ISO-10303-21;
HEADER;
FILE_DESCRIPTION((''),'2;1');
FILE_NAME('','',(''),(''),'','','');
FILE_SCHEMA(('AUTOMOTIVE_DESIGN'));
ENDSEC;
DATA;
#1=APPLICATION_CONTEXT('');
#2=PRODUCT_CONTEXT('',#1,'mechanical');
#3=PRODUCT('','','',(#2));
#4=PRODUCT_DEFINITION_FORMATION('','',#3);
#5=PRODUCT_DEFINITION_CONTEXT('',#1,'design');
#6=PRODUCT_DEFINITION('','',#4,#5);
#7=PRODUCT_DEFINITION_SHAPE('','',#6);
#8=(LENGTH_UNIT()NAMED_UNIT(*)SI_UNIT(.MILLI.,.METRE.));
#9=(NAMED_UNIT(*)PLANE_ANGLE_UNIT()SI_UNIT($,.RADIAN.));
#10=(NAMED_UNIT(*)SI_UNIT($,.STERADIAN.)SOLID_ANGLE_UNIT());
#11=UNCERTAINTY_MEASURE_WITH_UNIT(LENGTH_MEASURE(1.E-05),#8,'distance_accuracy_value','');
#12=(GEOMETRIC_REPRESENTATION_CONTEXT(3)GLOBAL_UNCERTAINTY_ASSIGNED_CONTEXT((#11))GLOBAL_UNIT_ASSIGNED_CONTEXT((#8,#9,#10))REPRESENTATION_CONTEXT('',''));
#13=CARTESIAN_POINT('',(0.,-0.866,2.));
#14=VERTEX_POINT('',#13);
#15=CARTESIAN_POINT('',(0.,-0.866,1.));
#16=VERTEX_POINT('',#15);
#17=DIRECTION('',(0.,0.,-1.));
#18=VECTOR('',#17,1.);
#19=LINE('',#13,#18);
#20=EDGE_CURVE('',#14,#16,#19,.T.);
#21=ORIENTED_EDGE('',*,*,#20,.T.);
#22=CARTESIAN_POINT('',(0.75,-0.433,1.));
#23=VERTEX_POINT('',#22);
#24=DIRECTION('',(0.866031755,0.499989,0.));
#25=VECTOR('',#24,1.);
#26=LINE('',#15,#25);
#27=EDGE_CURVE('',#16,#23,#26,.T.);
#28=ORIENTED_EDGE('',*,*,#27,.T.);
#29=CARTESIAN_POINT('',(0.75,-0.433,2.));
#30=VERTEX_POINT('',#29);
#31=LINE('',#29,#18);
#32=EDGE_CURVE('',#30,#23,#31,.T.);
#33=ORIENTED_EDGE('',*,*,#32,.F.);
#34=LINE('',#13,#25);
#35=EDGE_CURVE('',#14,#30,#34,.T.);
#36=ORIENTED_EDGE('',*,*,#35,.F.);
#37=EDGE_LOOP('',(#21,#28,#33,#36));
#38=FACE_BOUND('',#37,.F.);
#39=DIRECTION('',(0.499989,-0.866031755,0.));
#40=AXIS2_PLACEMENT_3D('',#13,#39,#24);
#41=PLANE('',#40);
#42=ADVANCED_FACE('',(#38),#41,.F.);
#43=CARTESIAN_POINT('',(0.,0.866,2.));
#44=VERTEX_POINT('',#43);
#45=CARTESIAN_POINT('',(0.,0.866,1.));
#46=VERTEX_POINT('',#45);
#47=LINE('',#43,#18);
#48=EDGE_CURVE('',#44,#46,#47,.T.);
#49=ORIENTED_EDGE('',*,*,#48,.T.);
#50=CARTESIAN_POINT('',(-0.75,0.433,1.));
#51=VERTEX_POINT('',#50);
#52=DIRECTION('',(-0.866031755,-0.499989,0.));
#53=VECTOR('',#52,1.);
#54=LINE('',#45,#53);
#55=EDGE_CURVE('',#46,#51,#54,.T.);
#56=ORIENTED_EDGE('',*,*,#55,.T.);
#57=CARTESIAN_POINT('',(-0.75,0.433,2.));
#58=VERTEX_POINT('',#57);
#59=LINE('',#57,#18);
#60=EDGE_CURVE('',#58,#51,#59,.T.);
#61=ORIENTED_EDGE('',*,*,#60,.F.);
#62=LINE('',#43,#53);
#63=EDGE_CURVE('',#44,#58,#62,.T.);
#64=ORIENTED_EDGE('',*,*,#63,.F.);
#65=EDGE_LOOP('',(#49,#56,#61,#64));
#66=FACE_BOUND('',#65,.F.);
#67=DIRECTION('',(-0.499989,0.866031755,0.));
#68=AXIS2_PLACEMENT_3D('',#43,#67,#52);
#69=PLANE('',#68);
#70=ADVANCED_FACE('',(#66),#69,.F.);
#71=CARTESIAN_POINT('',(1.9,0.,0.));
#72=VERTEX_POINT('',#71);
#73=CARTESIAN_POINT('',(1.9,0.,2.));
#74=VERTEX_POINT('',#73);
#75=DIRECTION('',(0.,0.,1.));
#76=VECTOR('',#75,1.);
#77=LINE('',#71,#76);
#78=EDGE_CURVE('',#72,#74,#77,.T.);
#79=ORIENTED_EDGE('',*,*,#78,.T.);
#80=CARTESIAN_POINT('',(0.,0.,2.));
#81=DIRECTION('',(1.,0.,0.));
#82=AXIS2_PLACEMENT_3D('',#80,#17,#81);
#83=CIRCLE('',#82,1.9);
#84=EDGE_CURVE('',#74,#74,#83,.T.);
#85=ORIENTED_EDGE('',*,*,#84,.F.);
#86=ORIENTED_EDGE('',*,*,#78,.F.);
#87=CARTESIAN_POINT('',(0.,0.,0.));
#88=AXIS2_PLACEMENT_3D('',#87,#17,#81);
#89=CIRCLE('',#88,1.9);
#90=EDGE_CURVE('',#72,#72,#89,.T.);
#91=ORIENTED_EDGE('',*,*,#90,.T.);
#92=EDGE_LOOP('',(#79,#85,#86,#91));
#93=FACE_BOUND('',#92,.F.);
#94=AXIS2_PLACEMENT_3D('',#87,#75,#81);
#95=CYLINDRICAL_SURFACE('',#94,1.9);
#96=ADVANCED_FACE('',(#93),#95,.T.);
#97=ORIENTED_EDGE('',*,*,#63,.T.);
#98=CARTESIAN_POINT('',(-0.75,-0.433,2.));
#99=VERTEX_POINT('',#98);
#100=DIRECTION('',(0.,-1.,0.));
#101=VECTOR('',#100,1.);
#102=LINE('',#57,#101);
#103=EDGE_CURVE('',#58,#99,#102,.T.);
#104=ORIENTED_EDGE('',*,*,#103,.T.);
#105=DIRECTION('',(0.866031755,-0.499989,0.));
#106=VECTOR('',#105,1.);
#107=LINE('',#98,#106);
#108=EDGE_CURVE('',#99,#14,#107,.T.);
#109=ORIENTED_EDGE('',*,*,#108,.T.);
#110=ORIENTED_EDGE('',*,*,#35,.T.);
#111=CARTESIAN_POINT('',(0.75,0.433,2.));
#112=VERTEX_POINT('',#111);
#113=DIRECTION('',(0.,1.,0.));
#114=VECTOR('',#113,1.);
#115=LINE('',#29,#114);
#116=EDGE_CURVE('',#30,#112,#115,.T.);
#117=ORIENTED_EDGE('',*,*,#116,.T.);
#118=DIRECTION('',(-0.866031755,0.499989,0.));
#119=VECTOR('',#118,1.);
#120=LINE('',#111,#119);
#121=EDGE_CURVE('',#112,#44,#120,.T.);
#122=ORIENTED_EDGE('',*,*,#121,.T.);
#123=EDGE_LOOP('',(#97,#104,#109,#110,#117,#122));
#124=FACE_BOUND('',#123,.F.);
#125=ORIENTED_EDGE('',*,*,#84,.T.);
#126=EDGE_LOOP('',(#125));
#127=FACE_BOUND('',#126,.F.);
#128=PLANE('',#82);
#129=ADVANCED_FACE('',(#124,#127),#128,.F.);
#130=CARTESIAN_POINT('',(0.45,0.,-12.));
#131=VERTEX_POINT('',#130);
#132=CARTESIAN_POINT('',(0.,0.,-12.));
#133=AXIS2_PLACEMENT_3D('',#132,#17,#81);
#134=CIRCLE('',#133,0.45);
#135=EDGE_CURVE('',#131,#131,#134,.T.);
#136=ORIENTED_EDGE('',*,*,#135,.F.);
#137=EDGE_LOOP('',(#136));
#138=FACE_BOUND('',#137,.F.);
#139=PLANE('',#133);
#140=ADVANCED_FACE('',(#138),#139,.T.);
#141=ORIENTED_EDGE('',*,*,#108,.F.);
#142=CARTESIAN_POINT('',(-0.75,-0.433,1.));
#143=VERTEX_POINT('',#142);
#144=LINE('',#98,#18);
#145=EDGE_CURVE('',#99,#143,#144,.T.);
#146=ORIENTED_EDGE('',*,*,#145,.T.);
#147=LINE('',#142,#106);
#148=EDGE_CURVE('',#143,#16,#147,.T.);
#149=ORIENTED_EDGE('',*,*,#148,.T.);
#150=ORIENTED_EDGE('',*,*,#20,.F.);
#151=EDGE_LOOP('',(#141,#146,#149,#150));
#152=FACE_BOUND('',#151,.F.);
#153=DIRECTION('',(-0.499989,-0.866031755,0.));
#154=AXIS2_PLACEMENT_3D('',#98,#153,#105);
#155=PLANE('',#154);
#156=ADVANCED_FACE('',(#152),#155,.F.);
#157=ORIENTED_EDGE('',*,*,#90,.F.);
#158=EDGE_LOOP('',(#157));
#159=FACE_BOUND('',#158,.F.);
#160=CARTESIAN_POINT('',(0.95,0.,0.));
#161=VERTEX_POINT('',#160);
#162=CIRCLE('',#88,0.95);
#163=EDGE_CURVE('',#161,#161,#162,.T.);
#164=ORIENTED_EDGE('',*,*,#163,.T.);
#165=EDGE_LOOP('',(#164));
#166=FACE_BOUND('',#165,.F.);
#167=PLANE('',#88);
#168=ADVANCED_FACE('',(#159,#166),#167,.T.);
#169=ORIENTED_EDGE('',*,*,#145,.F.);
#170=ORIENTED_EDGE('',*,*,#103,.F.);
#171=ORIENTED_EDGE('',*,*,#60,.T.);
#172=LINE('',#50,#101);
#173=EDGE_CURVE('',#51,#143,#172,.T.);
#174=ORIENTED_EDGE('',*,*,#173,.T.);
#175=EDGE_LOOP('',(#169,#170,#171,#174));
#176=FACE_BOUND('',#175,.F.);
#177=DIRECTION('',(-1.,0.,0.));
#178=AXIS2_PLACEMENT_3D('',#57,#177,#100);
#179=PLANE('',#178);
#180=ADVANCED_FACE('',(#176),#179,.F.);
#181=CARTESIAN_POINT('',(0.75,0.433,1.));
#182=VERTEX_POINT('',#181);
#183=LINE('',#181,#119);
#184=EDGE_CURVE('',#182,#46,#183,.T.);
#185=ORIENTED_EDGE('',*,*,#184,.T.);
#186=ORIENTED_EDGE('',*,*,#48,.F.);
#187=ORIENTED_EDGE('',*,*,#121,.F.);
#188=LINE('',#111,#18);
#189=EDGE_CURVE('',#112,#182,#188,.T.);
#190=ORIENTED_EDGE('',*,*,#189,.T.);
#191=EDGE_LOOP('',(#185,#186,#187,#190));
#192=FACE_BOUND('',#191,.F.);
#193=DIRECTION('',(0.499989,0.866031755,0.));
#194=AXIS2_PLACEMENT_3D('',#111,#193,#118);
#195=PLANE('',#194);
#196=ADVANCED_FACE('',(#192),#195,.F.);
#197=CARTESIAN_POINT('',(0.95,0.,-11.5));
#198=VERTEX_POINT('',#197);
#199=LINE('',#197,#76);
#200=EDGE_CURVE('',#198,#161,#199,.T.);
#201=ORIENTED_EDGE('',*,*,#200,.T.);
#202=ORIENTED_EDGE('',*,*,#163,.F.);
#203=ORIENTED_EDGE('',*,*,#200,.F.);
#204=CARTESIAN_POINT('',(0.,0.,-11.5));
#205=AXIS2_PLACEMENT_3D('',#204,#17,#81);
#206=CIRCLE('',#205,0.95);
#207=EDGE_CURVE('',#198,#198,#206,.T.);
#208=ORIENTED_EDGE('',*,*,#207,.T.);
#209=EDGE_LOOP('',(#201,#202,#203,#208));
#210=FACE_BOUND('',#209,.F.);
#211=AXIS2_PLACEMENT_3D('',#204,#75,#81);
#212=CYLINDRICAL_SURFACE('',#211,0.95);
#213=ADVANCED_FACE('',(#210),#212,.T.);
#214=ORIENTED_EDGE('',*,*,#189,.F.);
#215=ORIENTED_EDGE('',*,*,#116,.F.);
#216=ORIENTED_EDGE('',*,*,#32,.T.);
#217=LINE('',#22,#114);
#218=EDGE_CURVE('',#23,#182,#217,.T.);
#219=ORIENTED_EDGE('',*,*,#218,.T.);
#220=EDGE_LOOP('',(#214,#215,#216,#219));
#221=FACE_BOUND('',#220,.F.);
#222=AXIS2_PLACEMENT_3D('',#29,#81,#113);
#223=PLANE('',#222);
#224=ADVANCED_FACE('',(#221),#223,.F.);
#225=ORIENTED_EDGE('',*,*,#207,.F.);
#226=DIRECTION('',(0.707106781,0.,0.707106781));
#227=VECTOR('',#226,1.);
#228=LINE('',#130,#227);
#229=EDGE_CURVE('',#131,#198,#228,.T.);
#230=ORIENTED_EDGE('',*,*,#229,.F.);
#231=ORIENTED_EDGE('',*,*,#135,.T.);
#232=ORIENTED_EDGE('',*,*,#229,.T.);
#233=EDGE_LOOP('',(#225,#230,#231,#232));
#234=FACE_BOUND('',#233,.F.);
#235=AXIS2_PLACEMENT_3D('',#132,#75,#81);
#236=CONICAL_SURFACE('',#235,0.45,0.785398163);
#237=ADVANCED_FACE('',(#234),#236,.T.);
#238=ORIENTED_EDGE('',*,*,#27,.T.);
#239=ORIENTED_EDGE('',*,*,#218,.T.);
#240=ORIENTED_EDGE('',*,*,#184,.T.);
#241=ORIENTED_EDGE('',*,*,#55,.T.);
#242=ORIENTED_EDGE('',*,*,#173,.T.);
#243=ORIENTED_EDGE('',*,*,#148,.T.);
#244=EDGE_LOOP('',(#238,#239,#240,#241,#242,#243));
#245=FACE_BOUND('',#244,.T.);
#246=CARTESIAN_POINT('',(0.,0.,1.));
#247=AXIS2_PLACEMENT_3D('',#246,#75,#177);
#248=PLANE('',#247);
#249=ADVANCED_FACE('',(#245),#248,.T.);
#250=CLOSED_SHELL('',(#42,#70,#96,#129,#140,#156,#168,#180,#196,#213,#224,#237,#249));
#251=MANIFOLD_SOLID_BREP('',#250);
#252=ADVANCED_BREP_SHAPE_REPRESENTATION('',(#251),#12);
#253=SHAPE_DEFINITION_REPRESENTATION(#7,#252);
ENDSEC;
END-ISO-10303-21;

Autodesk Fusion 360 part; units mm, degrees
sketch "Sketch1" plane through (0, 0, 0) normal (0, 1, 0) x (1, 0, 0)
  line L0 (0, -1.5) -> (0, 14)
  line L1 (0, 14) -> (0.75, 14)
  line L2 (0.75, 14) -> (1.25, 13.5)
  line L3 (1.25, 13.5) -> (1.25, 0)
  line L4 (1.25, 0) -> (2.25, 0)
  line L5 (2.25, 0) -> (2.25, -0.4)
  line L6 (0, -1.5) -> (1, -1.5)
  arc A0 (1, -1.5) -> (2.25, -0.4) centre (0, 0.8966) ccw
  dimension "d1" = 14
  dimension "d2" = 1.5
  dimension "d3" = 1
  dimension "d4" = 0.4
  dimension "d5" = 2.25
  dimension "d6" = 1.25
  dimension "d7" = 45
  dimension "d8" = 0.5
revolve "Revolve1" add sketch "Sketch1" angle 360 about axis through (0, 0, 1.5) along (0, 0, -1)
sketch "Sketch2" plane through (0, 0, 1.5) normal (0, 0, 1) x (-1, 0, 0)
  circle A0 centre (0, 0) radius 1
  line L0 (-0.75, -0.433) -> (0, -0.866)
  line L1 (0, -0.866) -> (0.75, -0.433)
  line L2 (0.75, -0.433) -> (0.75, 0.433)
  line L3 (0.75, 0.433) -> (0, 0.866)
  line L4 (0, 0.866) -> (-0.75, 0.433)
  line L5 (-0.75, 0.433) -> (-0.75, -0.433)
  dimension "d10" = 1.5
extrude "Extrude1" cut sketch "Sketch2" against normal up to surface (2 mm away) contours L0 L1 L2 L3 L4 L5
equation "d5 = ( 4.5 / 2 ) * 1 mm"
equation "d6 = ( 2.5 / 2 ) * 1 mm"

Autodesk Fusion 360 part; units mm, degrees
sketch "Sketch1" plane through (0, 0, 0) normal (0, 1, 0) x (1, 0, 0)
  line L0 (0, -1.5) -> (0, 4)
  line L1 (0, 4) -> (0.75, 4)
  line L2 (0.75, 4) -> (1.25, 3.5)
  line L3 (1.25, 3.5) -> (1.25, 0)
  line L4 (1.25, 0) -> (2.25, 0)
  line L5 (2.25, 0) -> (2.25, -0.4)
  line L6 (0, -1.5) -> (1, -1.5)
  arc A0 (1, -1.5) -> (2.25, -0.4) centre (0, 0.8966) ccw
  dimension "d1" = 4
  dimension "d2" = 1.5
  dimension "d3" = 1
  dimension "d4" = 0.4
  dimension "d5" = 2.25
  dimension "d6" = 1.25
  dimension "d7" = 45
  dimension "d8" = 0.5
revolve "Revolve1" add sketch "Sketch1" angle 360 about axis through (0, 0, 1.5) along (0, 0, -1)
sketch "Sketch2" plane through (0, 0, 1.5) normal (0, 0, 1) x (-1, 0, 0)
  circle A0 centre (0, 0) radius 1
  line L0 (-0.75, -0.433) -> (0, -0.866)
  line L1 (0, -0.866) -> (0.75, -0.433)
  line L2 (0.75, -0.433) -> (0.75, 0.433)
  line L3 (0.75, 0.433) -> (0, 0.866)
  line L4 (0, 0.866) -> (-0.75, 0.433)
  line L5 (-0.75, 0.433) -> (-0.75, -0.433)
  dimension "d10" = 1.5
extrude "Extrude1" cut sketch "Sketch2" against normal up to surface (2 mm away) contours L0 L1 L2 L3 L4 L5
equation "d5 = ( 4.5 / 2 ) * 1 mm"
equation "d6 = ( 2.5 / 2 ) * 1 mm"

Autodesk Fusion 360 part; units mm, degrees
sketch "Sketch1" plane through (0, 0, 0) normal (0, 1, 0) x (1, 0, 0)
  line L0 (0, -2) -> (0, 12)
  line L1 (0, 12) -> (0.45, 12)
  line L2 (0.45, 12) -> (0.95, 11.5)
  line L3 (0.95, 11.5) -> (0.95, 0)
  line L4 (0.95, 0) -> (1.9, 0)
  line L5 (1.9, 0) -> (1.9, -2)
  line L6 (1.9, -2) -> (0, -2)
  dimension "d1" = 12
  dimension "d2" = 45
  dimension "d3" = 0.5
  dimension "d4" = 0.95
  dimension "d5" = 2
  dimension "d6" = 1.9
revolve "Revolve1" add sketch "Sketch1" angle 360 about axis through (0, 0, 2) along (0, 0, -1)
sketch "Sketch2" plane through (0, 0, 2) normal (0, 0, 1) x (-1, 0, 0)
  circle A0 centre (0, 0) radius 1.9
  line L0 (-0.75, -0.433) -> (0, -0.866)
  line L1 (0, -0.866) -> (0.75, -0.433)
  line L2 (0.75, -0.433) -> (0.75, 0.433)
  line L3 (0.75, 0.433) -> (0, 0.866)
  line L4 (0, 0.866) -> (-0.75, 0.433)
  line L5 (-0.75, 0.433) -> (-0.75, -0.433)
  dimension "d8" = 1.5
extrude "Extrude1" cut sketch "Sketch2" against normal blind 1 contours L0 L1 L2 L3 L4 L5
equation "d4 = ( 1.9 / 2 ) * 1 mm"
equation "d6 = ( 3.8 / 2 ) * 1 mm"
